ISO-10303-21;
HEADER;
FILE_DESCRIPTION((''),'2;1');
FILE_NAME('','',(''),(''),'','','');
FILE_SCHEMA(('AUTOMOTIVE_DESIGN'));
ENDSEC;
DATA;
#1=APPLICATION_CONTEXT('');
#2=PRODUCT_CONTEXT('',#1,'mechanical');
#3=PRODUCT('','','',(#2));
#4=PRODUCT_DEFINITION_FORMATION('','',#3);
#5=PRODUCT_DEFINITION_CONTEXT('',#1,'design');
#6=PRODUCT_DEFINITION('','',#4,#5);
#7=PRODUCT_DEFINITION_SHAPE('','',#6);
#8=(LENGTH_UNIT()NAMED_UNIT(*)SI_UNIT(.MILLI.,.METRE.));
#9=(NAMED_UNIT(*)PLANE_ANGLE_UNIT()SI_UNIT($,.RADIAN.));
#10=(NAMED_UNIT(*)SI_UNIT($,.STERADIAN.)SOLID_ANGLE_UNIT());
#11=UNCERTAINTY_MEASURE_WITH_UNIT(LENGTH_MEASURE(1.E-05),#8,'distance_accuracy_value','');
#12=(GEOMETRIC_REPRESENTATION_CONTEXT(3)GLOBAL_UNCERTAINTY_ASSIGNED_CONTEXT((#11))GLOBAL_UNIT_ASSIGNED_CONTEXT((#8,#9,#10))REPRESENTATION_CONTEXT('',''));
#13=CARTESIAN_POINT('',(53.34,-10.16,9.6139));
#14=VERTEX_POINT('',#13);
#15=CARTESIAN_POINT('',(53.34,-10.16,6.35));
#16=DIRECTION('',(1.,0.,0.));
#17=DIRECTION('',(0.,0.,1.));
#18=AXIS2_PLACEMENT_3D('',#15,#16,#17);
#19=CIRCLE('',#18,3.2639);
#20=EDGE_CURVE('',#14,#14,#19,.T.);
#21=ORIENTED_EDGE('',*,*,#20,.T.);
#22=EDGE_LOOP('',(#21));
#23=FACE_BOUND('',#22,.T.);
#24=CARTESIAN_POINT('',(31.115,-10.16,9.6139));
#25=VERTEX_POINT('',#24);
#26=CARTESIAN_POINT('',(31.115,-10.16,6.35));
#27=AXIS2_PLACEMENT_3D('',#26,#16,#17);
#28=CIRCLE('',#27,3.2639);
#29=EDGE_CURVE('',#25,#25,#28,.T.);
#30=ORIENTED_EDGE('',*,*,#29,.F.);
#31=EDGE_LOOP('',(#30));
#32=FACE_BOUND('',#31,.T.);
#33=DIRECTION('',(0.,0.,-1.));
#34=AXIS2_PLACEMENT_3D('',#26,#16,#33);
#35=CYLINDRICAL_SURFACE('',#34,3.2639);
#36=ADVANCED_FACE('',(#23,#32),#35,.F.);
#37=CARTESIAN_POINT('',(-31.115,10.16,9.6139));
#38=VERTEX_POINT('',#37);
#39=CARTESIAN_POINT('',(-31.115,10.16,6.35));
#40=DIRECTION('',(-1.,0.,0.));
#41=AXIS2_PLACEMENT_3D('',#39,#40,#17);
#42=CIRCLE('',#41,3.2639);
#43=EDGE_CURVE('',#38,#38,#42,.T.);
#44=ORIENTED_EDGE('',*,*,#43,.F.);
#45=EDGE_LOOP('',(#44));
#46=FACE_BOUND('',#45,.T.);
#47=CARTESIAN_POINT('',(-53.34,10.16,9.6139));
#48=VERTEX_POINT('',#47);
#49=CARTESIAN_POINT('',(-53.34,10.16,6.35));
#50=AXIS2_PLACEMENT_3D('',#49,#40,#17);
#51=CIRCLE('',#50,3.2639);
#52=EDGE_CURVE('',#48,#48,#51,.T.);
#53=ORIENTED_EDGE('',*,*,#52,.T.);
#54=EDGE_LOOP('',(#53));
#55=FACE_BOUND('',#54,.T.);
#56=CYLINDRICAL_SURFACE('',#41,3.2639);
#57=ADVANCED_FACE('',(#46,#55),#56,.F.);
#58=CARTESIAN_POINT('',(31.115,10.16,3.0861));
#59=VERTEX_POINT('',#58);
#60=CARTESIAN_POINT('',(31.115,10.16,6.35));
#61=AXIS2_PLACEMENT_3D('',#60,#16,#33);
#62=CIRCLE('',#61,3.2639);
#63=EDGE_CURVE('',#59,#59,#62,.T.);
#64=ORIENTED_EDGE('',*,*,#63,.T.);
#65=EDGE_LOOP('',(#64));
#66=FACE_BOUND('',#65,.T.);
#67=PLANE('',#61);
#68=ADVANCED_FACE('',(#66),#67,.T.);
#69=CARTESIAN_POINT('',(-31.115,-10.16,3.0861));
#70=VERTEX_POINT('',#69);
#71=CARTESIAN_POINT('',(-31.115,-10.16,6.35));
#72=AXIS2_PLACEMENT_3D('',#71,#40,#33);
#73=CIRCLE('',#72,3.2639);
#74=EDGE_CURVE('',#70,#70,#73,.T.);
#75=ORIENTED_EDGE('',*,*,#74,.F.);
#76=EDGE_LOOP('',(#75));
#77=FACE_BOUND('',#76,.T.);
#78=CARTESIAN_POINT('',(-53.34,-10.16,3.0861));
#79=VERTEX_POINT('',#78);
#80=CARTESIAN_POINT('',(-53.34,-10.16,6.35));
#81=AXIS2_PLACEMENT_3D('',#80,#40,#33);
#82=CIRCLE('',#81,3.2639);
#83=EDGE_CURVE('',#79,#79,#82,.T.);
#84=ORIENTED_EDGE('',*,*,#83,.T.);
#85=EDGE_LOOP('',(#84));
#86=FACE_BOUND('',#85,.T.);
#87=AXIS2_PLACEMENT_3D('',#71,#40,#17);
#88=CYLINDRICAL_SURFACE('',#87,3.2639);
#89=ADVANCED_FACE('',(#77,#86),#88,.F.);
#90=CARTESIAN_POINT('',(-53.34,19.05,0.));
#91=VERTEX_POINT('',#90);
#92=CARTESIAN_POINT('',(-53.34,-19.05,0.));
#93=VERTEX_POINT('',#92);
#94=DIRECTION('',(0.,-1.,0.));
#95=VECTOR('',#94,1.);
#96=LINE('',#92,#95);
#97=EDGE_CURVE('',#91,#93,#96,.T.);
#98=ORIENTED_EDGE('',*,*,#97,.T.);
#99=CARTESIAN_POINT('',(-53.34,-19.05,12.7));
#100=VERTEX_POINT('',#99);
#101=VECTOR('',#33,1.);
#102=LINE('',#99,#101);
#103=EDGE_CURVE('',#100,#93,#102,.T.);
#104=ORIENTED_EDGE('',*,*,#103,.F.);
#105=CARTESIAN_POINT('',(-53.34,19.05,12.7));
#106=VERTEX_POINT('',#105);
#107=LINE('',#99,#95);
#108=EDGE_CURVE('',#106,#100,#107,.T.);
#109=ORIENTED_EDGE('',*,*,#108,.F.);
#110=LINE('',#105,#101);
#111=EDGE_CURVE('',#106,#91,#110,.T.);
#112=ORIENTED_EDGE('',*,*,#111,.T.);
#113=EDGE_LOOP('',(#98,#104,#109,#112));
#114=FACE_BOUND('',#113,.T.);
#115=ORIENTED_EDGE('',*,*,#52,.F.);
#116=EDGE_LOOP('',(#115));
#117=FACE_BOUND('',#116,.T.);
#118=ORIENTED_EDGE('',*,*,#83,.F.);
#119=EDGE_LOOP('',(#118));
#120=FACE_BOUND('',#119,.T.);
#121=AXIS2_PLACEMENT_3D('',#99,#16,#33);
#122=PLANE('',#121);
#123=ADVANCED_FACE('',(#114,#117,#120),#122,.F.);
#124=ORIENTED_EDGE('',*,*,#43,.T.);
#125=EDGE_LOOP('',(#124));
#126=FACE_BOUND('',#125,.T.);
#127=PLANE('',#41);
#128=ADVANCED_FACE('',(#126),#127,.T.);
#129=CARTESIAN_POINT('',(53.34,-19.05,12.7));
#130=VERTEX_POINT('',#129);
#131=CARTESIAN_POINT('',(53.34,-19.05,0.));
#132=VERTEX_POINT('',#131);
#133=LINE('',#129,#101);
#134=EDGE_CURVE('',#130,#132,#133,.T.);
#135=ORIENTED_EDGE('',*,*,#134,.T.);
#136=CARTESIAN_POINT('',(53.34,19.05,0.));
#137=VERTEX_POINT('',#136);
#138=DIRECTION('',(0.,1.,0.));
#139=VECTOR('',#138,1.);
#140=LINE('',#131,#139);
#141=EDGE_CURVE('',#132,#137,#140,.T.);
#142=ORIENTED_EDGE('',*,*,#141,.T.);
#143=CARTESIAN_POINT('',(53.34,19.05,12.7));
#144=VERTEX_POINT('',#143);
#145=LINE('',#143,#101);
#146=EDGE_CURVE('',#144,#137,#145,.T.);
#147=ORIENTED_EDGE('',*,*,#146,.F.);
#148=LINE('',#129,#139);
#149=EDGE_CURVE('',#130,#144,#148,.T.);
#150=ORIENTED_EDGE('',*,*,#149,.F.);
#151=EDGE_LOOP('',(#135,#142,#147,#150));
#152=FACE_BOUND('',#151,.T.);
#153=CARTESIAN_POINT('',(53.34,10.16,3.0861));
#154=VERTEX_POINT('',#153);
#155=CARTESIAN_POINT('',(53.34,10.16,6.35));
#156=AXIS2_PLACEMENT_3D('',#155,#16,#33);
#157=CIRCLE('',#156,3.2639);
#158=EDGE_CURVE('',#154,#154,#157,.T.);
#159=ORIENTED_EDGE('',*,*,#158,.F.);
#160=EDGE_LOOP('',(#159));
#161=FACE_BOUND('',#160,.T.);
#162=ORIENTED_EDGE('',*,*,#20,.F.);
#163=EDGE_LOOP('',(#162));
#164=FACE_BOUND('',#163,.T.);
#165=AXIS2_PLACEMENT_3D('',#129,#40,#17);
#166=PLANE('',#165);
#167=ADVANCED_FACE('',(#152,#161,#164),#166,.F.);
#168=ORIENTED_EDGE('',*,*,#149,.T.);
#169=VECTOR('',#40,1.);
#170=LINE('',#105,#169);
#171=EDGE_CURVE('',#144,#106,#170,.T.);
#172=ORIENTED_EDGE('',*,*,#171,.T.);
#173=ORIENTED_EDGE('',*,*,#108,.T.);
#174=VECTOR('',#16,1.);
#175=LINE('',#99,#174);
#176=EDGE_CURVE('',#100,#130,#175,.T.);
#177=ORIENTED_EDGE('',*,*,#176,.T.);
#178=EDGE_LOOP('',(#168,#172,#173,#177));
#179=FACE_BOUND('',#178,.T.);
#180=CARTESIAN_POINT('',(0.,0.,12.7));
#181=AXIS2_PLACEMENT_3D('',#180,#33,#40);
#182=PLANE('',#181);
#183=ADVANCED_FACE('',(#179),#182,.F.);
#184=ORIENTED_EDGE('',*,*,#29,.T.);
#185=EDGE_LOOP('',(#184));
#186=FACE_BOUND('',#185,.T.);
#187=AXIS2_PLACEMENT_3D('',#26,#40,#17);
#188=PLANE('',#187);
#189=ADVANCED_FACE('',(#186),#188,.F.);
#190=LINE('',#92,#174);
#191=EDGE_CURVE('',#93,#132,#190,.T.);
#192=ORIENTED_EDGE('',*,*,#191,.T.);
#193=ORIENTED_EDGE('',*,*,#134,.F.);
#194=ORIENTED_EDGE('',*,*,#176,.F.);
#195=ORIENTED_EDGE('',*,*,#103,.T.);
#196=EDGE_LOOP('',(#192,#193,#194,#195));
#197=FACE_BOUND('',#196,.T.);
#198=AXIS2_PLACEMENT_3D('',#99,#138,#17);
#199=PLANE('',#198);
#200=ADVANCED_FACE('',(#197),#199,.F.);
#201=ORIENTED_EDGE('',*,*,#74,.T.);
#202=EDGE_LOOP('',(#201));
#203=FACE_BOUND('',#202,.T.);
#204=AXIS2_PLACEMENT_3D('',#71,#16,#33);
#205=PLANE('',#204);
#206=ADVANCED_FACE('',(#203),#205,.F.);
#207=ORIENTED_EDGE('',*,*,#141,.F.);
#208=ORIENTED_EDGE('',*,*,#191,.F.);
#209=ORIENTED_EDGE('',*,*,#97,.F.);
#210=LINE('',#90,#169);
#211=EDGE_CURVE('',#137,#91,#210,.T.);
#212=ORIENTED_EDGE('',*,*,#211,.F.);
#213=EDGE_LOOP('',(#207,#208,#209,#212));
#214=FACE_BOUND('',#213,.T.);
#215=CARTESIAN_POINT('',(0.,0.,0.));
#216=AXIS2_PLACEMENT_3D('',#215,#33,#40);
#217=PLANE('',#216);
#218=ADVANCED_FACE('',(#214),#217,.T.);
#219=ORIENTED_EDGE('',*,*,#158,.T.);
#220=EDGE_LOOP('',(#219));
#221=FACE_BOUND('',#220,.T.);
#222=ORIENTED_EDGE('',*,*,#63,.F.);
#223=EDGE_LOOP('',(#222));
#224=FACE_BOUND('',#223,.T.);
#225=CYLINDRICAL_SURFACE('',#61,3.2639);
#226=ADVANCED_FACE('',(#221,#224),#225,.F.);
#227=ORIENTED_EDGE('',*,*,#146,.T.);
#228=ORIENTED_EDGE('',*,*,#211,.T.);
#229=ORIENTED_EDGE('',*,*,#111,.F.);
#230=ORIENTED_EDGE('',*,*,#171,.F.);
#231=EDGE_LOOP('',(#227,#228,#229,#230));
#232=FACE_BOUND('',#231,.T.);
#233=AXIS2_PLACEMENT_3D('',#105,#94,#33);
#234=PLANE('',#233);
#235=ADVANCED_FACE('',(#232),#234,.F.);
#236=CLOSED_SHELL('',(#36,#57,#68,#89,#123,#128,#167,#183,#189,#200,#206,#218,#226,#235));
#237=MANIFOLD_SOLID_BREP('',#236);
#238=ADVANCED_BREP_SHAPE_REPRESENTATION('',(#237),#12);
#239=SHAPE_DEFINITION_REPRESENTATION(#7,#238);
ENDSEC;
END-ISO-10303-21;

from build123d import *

# Parameters (mm, degrees)
SKETCH1_W           = 106.68
SKETCH1_H           = 38.1
BOSS_EXTRUDE1_DEPTH = 12.7
SKETCH2_R           = 3.2639
CUT_EXTRUDE1_DEPTH  = 22.225
CUT_EXTRUDE2_START  = -22.225
SKETCH3_R           = 3.2639
CUT_EXTRUDE2_DEPTH  = 22.225


with BuildPart() as part:
    # Sketch1 → Boss-Extrude1 (new body)
    with BuildSketch(Plane.XY):
        Rectangle(SKETCH1_W, SKETCH1_H)
    extrude(amount=BOSS_EXTRUDE1_DEPTH)

    # Sketch2 → Cut-Extrude1 (cut)
    with BuildSketch(Plane(origin=(53.34, 0, 0), x_dir=(0, 0, -1), z_dir=(1, 0, 0))):
        with Locations((-6.35, 10.16)):
            Circle(SKETCH2_R)
        with Locations(Location((-6.35, -10.16, 0), (0, 0, 180))):
            Circle(SKETCH2_R)
    extrude(amount=-CUT_EXTRUDE1_DEPTH, mode=Mode.SUBTRACT)

    # Sketch3 → Cut-Extrude2 (cut)
    with BuildSketch(Plane.ZY.offset(53.34).offset(CUT_EXTRUDE2_START)):
        with Locations(Location((6.35, 10.16, 0), (0, 0, 180))):
            Circle(SKETCH3_R)
        with Locations((6.35, -10.16)):
            Circle(SKETCH3_R)
    extrude(amount=CUT_EXTRUDE2_DEPTH, mode=Mode.SUBTRACT)


solid = part.part
